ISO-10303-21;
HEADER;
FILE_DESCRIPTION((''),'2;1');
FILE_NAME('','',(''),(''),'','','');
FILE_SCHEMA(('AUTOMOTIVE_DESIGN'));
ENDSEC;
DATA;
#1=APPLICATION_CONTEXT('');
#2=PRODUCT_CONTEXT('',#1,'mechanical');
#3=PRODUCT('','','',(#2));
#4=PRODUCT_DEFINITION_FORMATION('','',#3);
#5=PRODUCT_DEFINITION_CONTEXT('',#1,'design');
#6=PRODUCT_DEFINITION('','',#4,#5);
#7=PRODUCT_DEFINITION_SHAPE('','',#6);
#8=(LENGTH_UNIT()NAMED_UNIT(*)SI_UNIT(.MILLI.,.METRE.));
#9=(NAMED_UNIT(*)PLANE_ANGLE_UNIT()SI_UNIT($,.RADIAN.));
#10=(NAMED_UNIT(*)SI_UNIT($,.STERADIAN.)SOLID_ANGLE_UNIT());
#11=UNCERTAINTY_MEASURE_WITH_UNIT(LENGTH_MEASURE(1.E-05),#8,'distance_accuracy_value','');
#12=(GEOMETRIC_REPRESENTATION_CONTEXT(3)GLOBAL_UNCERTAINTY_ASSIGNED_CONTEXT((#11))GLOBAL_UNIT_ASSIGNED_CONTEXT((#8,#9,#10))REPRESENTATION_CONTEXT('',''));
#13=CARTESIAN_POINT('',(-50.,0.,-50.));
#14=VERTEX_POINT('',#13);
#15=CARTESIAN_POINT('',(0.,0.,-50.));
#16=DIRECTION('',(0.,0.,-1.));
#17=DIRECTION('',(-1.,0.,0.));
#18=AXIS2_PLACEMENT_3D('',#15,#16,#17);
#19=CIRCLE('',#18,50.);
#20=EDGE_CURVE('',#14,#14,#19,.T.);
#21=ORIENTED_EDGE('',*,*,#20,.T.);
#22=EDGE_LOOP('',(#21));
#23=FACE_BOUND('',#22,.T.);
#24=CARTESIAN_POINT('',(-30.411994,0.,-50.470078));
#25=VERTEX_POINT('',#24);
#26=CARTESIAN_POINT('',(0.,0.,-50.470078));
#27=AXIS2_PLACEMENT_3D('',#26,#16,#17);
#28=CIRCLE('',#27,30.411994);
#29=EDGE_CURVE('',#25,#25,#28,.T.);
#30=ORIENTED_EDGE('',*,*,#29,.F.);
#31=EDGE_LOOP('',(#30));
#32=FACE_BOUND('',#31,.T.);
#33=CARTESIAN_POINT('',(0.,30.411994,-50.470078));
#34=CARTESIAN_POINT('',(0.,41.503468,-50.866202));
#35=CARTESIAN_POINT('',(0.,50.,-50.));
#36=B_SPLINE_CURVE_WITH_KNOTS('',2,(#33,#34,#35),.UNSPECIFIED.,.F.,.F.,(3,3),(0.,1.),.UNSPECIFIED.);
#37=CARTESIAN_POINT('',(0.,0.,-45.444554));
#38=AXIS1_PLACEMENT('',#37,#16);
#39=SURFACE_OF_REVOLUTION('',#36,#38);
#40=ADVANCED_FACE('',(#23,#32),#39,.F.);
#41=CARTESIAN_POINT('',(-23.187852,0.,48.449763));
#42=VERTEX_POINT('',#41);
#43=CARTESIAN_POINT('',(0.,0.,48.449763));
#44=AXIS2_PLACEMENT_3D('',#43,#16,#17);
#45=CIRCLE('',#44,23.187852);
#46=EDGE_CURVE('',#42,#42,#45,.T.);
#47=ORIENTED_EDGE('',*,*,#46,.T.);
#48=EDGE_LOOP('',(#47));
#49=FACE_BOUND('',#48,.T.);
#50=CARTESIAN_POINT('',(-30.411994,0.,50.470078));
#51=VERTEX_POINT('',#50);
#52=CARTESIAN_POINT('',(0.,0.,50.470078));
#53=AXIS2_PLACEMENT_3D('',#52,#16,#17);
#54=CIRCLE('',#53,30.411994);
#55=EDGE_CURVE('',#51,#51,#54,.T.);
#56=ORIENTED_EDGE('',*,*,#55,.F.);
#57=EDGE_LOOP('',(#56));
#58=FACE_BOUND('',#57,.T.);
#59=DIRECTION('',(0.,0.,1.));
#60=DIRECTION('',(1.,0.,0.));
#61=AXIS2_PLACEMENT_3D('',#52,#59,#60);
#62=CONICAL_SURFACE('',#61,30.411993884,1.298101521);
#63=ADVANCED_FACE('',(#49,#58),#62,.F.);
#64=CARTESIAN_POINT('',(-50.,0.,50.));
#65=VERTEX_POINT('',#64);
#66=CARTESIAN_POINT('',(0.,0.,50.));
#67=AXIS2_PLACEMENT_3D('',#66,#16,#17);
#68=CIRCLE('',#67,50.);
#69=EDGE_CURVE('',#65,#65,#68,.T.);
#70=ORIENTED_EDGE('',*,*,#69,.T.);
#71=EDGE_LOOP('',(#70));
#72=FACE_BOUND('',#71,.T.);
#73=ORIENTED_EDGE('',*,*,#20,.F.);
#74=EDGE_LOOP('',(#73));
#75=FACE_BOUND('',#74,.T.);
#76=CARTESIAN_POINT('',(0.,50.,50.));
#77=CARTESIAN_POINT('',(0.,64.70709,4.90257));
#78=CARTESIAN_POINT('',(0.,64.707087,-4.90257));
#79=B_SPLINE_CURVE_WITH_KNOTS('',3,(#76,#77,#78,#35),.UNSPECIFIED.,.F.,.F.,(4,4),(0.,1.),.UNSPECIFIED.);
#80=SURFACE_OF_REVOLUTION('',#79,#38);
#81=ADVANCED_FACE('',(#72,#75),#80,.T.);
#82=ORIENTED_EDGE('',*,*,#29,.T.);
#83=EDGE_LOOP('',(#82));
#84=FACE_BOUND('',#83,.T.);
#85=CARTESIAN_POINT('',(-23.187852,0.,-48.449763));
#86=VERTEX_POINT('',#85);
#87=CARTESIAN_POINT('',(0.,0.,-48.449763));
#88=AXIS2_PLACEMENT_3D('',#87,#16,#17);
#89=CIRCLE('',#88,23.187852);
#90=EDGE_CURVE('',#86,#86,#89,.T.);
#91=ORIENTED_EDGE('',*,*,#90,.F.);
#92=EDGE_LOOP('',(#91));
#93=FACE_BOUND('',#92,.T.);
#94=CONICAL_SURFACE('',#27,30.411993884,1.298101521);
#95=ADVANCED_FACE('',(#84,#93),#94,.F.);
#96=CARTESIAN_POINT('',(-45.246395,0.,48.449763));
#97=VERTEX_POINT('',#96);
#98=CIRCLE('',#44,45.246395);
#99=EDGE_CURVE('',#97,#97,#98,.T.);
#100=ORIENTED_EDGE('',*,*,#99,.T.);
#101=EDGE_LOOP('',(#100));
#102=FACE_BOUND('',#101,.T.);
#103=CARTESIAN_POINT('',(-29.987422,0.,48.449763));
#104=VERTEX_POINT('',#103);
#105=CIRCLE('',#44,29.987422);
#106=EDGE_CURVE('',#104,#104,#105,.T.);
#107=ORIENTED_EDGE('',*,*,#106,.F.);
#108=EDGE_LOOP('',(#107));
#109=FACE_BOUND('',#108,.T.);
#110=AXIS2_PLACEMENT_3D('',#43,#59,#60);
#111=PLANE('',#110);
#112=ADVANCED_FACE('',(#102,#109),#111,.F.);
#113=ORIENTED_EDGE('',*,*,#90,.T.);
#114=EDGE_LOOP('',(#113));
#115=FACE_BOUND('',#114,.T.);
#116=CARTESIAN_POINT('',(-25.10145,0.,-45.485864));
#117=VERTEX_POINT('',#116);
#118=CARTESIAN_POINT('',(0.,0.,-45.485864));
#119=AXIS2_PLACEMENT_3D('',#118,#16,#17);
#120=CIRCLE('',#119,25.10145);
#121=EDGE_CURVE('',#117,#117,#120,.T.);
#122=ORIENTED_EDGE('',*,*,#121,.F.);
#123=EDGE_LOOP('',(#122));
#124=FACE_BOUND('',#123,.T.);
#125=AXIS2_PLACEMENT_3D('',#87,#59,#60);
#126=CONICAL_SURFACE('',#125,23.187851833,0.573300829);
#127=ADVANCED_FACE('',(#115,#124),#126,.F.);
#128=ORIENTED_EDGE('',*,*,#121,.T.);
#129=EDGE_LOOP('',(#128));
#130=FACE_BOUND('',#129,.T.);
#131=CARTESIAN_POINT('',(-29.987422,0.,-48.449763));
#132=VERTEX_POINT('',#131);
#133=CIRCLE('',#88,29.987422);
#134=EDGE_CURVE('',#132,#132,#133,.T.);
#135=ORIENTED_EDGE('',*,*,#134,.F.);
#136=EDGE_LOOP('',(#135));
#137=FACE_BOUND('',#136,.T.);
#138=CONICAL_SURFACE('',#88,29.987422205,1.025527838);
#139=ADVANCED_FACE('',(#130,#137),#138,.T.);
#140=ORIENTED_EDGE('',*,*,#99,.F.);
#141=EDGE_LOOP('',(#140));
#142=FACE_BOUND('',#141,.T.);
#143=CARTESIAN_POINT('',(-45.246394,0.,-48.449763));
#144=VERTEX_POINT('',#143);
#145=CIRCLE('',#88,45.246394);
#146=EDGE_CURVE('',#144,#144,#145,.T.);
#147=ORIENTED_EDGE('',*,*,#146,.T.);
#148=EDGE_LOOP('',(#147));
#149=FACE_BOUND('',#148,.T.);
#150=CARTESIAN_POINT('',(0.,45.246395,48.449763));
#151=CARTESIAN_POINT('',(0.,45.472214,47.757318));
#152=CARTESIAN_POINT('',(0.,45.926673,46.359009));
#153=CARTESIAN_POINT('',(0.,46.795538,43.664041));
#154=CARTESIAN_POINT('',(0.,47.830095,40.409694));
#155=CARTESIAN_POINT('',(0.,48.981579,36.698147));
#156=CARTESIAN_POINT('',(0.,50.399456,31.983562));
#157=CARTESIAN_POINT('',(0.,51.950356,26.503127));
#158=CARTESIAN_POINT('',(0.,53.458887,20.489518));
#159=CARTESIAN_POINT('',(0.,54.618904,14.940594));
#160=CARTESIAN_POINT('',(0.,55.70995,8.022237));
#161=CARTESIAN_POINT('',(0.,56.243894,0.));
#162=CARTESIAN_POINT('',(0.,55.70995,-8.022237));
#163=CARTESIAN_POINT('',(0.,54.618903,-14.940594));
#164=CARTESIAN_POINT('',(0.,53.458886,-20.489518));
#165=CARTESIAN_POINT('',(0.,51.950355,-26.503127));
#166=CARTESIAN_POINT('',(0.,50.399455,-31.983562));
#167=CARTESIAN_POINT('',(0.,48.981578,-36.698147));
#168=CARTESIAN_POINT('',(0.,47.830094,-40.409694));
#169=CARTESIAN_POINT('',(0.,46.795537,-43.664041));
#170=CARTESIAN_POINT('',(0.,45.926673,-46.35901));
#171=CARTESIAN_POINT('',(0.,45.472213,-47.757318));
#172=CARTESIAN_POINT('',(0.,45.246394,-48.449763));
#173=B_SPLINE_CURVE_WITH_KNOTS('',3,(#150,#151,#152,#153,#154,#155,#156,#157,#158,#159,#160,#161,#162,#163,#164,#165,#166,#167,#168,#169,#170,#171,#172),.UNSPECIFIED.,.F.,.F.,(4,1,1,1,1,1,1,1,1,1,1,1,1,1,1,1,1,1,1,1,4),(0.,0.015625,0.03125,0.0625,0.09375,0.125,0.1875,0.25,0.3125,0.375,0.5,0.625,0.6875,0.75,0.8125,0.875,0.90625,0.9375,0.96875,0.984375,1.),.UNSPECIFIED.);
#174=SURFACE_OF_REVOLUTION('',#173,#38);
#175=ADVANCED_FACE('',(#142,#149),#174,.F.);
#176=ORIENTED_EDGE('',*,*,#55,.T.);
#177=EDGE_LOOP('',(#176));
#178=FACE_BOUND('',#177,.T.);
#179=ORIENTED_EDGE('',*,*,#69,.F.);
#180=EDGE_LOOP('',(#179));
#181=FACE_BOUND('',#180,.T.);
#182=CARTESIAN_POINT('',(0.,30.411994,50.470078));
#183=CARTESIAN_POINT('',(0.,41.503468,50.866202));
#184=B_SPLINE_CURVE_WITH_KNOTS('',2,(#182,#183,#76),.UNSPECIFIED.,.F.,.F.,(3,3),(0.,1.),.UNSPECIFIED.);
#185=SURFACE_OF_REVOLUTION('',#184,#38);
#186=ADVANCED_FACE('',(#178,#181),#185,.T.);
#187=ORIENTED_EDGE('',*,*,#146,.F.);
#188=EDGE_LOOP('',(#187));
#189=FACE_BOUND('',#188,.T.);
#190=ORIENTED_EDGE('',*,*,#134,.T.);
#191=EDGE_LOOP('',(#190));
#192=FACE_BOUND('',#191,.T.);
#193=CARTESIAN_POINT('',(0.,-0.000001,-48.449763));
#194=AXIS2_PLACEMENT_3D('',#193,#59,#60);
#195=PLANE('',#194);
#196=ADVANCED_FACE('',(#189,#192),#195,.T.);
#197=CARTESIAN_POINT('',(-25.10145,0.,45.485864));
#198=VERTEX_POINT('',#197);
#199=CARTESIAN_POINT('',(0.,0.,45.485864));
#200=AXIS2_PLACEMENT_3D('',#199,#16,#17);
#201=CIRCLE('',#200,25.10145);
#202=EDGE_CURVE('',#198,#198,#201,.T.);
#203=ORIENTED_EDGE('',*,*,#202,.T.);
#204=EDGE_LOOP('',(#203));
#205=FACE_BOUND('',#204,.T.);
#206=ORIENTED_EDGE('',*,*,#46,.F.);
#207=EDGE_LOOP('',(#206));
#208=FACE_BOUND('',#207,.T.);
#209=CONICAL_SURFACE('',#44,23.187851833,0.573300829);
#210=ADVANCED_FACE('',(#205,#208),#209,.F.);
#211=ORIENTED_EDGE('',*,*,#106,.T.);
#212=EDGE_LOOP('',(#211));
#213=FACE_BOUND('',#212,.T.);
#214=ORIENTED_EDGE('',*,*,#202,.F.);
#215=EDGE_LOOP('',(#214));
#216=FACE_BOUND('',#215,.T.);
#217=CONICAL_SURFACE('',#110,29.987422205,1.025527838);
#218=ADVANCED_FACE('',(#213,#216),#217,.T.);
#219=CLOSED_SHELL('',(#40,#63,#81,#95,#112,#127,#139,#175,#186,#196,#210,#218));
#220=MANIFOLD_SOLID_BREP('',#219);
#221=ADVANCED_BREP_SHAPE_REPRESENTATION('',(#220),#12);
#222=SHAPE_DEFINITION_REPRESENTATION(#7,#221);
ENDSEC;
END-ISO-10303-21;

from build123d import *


with BuildPart() as part:
    # Sketch1 → Revolve1 (revolve)
    with BuildSketch(Plane(origin=(0, 0, 0), x_dir=(0, 0, -1), z_dir=(1, 0, 0))):
        with BuildLine():
            Line((-50.470077562, 30.411993884), (-48.449762995, 23.187851833))
            Line((-48.449762995, 23.187851833), (-45.48586414, 25.101449815))
            add(Edge.make_bspline(
                [(-48.449762995, 29.987422205), (-45.48586414, 25.101449815)],
                knots=[0, 0, 1, 1], degree=1))
            Line((-48.449762995, 29.987422205), (-48.449762995, 45.246394502))
            add(Edge.make_bspline(
                [(-48.449762995, 45.246394502), (-47.757317605, 45.472213508), (-46.35900942, 45.926672767), (-43.664040744, 46.795537761), (-40.409694064, 47.830094642), (-36.698146611, 48.98157899), (-31.983562013, 50.399456097), (-26.503127038, 51.950356049), (-20.489517686, 53.458887096), (-14.940594209, 54.61890372), (-8.022237241, 55.709950303), (-1.75e-07, 56.243893826), (8.022236964, 55.709949788), (14.940594045, 54.618902886), (20.489517621, 53.458886102), (26.503127078, 51.950355008), (31.983562139, 50.399455141), (36.698146804, 48.981578194), (40.409694306, 47.830094016), (43.664041026, 46.795537322), (46.359009733, 45.926672506), (47.757317932, 45.472213347), (48.449763331, 45.246394393)],
                knots=[0, 0, 0, 0, 0.015625, 0.03125, 0.0625, 0.09375, 0.125, 0.1875, 0.25, 0.3125, 0.375, 0.5, 0.625, 0.6875, 0.75, 0.8125, 0.875, 0.90625, 0.9375, 0.96875, 0.984375, 1, 1, 1, 1], degree=3))
            Line((48.449763331, 45.246394393), (48.449762995, 29.987422205))
            add(Edge.make_bspline(
                [(48.449762995, 29.987422205), (45.48586414, 25.101449815)],
                knots=[0, 0, 1, 1], degree=1))
            Line((45.48586414, 25.101449815), (48.449762995, 23.187851833))
            Line((48.449762995, 23.187851833), (50.470077562, 30.411993884))
            add(Edge.make_bspline(
                [(50.470077562, 30.411993884), (50.866201642, 41.503468145), (50, 50)],
                knots=[0, 0, 0, 1, 1, 1], degree=2))
            add(Edge.make_bspline(
                [(-50, 50), (-4.902570045, 64.707090179), (4.902570045, 64.707086659), (50, 50)],
                knots=[0, 0, 0, 0, 1, 1, 1, 1], degree=3))
            add(Edge.make_bspline(
                [(-50.470077562, 30.411993884), (-50.866201642, 41.503468145), (-50, 50)],
                knots=[0, 0, 0, 1, 1, 1], degree=2))
        make_face()
    revolve(axis=Axis((0, 0, -45.444553904), (0, 0, 1)))


solid = part.part
